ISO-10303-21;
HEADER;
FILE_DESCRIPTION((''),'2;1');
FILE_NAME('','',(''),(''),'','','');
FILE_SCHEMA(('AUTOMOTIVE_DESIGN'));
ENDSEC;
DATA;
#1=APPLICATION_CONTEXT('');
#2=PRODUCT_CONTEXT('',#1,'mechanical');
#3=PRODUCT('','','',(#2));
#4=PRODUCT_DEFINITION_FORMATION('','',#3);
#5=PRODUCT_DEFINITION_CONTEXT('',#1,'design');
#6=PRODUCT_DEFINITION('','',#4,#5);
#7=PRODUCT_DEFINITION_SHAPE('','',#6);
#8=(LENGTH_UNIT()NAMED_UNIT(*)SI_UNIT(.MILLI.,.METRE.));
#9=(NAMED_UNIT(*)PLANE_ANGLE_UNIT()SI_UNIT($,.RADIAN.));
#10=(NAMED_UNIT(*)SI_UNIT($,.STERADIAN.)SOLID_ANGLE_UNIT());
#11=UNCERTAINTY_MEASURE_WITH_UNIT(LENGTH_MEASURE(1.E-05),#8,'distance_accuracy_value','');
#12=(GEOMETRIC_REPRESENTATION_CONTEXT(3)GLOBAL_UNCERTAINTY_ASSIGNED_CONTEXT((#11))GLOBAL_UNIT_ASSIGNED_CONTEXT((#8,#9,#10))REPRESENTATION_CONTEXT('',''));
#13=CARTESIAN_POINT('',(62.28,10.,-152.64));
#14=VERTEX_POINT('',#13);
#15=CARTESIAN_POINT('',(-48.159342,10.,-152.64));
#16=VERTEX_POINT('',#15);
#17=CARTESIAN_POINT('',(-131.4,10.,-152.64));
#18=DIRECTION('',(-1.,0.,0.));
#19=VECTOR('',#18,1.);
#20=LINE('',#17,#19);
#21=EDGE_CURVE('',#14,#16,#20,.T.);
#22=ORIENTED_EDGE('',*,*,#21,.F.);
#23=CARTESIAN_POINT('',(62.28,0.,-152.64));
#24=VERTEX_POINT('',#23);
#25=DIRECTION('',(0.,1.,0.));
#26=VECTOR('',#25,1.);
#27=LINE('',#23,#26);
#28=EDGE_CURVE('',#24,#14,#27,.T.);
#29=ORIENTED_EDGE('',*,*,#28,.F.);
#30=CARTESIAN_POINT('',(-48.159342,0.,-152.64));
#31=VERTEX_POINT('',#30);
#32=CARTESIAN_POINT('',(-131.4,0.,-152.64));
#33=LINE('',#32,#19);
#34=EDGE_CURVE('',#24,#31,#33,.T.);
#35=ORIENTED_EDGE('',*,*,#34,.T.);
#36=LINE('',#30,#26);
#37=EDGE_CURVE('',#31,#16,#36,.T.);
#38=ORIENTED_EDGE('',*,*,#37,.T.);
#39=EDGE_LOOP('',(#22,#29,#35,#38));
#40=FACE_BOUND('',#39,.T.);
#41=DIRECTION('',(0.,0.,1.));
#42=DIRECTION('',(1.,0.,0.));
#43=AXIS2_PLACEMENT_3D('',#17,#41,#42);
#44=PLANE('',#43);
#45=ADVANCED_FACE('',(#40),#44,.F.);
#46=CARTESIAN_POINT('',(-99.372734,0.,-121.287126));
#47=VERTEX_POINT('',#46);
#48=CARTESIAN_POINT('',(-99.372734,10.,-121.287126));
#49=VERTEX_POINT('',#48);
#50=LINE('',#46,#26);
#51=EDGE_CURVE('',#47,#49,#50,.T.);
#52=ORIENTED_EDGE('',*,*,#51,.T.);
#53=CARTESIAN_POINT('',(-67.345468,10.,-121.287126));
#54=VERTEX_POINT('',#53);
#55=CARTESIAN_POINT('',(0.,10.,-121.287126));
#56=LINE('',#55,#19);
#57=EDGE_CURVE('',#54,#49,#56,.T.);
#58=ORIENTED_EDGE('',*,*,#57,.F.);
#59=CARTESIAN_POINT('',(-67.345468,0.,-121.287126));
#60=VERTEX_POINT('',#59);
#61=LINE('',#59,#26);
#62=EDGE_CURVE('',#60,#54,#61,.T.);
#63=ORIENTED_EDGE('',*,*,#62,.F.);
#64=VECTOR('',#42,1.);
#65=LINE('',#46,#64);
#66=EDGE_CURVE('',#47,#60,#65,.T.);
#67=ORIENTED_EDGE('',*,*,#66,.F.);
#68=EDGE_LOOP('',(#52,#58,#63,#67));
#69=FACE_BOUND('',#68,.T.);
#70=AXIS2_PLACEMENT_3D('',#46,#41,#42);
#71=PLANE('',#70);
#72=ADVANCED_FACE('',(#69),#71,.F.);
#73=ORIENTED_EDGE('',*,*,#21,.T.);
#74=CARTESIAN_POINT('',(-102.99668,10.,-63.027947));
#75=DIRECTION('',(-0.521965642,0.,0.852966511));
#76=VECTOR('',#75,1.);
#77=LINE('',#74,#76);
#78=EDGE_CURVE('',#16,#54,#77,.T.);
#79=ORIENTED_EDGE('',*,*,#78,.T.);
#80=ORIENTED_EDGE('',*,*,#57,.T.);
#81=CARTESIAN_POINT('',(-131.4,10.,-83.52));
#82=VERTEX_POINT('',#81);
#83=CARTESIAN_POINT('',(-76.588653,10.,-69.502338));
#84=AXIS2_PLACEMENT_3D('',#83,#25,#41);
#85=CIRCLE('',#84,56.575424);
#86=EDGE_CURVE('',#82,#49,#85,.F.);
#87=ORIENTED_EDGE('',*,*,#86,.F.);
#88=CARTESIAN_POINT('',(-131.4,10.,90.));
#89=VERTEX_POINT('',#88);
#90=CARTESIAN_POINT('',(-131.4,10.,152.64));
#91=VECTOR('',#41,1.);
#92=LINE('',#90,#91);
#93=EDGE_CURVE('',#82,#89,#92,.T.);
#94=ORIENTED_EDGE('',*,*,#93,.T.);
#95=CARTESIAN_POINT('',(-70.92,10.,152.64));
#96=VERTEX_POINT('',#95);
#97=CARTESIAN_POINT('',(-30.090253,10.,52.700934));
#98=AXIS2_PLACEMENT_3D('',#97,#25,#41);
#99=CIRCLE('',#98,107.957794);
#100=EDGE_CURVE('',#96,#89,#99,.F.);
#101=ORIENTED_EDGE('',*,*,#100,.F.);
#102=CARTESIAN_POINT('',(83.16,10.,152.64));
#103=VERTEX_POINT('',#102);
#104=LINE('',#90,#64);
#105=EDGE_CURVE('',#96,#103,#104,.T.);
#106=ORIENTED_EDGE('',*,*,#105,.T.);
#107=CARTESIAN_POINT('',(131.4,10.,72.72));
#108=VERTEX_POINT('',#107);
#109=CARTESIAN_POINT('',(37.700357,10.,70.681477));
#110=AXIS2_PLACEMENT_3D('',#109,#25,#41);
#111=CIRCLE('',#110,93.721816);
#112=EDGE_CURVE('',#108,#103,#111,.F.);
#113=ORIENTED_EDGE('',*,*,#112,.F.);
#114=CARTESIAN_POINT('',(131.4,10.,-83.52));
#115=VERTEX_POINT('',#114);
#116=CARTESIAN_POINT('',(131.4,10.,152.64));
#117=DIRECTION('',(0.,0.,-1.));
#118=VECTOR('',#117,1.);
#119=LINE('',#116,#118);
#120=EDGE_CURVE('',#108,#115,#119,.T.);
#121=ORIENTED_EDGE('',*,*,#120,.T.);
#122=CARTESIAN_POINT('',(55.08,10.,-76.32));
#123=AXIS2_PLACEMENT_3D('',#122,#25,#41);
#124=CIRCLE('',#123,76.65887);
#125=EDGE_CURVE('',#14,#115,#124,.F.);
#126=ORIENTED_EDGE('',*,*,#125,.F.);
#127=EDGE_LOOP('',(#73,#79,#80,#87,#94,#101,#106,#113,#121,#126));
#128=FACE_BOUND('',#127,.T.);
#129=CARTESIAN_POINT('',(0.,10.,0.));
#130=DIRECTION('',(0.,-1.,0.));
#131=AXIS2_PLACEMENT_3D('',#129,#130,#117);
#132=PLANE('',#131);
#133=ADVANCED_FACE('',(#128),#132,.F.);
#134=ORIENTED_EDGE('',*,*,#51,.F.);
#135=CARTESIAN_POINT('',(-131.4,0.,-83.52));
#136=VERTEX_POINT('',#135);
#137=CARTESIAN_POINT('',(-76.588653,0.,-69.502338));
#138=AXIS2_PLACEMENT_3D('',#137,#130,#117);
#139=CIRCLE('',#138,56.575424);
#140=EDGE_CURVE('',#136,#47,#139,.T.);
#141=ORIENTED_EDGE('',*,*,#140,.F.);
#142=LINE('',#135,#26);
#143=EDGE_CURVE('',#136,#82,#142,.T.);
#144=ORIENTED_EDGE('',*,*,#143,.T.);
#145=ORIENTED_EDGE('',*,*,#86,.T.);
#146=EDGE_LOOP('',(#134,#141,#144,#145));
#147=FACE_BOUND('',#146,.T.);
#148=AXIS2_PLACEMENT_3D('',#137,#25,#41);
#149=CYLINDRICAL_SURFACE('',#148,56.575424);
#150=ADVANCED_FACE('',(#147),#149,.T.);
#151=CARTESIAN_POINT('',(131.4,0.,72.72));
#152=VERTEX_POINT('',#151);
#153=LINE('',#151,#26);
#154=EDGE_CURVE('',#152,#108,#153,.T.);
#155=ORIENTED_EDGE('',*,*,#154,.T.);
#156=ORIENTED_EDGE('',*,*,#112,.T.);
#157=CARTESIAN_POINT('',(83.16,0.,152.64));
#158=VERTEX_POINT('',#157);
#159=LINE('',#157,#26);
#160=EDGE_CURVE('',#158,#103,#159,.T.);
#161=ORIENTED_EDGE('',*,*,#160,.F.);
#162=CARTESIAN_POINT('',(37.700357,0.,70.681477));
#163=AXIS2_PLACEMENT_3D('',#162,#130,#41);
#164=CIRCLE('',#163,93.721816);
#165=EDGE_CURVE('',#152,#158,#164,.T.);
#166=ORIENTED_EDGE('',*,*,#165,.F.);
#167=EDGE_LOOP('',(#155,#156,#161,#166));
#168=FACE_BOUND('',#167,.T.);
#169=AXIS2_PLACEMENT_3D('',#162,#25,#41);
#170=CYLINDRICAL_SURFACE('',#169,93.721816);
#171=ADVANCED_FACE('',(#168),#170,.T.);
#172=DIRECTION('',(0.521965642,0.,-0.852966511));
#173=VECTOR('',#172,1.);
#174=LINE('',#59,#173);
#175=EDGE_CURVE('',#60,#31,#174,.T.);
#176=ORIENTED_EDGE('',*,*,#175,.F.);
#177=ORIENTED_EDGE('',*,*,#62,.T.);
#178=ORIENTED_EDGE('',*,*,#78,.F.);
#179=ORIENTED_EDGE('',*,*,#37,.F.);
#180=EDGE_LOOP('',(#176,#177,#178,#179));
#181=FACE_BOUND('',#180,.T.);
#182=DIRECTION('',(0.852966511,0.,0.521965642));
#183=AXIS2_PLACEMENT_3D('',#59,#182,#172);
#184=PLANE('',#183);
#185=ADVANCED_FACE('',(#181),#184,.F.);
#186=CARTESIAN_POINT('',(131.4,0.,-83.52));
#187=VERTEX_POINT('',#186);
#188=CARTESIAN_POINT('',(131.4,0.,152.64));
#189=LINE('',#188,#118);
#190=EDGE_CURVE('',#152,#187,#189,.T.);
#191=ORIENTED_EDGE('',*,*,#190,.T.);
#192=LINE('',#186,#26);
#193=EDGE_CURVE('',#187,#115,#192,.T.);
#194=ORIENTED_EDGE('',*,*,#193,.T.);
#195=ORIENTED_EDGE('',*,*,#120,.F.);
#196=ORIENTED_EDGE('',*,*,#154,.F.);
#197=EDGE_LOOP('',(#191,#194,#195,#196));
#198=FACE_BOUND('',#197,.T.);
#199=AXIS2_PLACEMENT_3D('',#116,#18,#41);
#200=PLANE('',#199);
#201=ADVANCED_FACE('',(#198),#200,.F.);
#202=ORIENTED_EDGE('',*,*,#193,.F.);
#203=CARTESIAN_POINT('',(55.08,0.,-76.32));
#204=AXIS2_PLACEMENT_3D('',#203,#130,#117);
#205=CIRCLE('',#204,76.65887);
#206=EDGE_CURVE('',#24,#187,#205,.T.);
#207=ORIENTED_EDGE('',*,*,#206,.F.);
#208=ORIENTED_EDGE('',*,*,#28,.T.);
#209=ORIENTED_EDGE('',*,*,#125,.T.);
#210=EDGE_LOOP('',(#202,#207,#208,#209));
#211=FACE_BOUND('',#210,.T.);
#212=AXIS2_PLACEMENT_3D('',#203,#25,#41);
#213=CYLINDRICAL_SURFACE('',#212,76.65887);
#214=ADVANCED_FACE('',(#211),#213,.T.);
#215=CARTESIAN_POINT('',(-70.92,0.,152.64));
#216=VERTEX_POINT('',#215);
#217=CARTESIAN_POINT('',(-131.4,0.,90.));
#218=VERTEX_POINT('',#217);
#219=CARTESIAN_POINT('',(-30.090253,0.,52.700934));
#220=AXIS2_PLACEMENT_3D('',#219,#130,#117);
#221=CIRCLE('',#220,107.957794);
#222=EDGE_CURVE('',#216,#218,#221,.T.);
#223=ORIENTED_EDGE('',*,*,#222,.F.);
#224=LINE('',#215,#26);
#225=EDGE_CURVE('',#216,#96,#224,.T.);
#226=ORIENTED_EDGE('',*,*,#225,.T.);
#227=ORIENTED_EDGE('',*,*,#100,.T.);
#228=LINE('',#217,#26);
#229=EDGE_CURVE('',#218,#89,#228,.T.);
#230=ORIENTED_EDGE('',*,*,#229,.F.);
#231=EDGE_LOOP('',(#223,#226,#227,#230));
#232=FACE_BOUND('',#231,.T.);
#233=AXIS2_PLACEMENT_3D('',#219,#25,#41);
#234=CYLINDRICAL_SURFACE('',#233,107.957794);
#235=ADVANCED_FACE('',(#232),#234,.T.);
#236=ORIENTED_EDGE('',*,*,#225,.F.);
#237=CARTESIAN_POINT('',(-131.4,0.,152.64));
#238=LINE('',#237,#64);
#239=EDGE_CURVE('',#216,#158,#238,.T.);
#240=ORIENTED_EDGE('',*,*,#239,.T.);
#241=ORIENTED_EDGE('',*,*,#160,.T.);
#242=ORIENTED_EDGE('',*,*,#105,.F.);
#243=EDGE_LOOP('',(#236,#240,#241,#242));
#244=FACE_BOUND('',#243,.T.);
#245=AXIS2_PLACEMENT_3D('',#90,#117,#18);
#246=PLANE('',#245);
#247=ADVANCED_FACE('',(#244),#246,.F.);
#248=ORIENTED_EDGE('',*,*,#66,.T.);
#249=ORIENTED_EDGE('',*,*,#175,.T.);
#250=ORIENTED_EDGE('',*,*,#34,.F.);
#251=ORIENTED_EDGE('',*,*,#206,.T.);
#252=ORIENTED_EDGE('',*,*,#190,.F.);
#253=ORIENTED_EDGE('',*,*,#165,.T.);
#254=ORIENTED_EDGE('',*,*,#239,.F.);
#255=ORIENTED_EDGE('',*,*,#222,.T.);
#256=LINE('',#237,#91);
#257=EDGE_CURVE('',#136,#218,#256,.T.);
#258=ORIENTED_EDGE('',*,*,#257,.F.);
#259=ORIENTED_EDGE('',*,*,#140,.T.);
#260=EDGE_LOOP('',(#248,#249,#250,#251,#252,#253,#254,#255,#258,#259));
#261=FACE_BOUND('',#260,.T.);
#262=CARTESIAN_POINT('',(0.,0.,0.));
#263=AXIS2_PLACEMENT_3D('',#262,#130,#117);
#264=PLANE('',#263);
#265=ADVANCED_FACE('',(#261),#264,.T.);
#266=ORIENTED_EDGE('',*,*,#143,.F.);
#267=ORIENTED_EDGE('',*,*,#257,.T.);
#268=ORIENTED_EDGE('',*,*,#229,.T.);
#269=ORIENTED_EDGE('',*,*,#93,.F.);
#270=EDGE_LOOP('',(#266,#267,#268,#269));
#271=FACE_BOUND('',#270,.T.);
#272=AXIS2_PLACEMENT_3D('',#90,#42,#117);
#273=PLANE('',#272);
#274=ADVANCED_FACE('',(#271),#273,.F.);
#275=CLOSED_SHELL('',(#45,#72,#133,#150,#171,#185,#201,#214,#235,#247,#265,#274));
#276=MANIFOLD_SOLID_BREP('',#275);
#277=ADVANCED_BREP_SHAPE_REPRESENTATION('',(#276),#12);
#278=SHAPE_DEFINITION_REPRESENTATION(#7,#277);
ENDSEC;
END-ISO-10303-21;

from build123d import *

# Parameters (mm, degrees)
SKETCH3_W               = 262.8
SKETCH3_H               = 305.28
BOSS_EXTRUDE3_DEPTH     = 10
CUT_EXTRUDE1_DEPTH      = 202.655472527
CUT_EXTRUDE1_DEPTH_BACK = 202.655472527


with BuildPart() as part:
    # Sketch3 → Boss-Extrude3 (new body)
    with BuildSketch(Plane(origin=(0, 0, 0), x_dir=(1, 0, 0), z_dir=(0, 1, 0))):
        Rectangle(SKETCH3_W, SKETCH3_H)
    extrude(amount=BOSS_EXTRUDE3_DEPTH)

    # Sketch4 → Cut-Extrude1 (cut, two sides: drawn at the far end of the back side and taken through both)
    with BuildSketch(Plane(origin=(0, 10, 0), x_dir=(1, 0, 0), z_dir=(0, 1, 0)).offset(-CUT_EXTRUDE1_DEPTH_BACK)):
        with BuildLine():
            Line((-131.4, -90), (-131.4, -152.64))
            Line((-131.4, -152.64), (-70.92, -152.64))
            ThreePointArc((-70.92, -152.64), (-107.755247271, -127.687824951), (-131.4, -90))
        make_face()
        with BuildLine():
            Line((83.16, -152.64), (131.4, -152.64))
            Line((131.4, -152.64), (131.4, -72.72))
            ThreePointArc((131.4, -72.72), (117.938305095, -119.113391364), (83.16, -152.64))
        make_face()
        with BuildLine():
            Line((-99.372734155, 121.287125755), (-67.345468311, 121.287125755))
            Line((-67.345468311, 121.287125755), (-48.15934209, 152.64))
            Line((-48.15934209, 152.64), (-131.4, 152.64))
            Line((-131.4, 152.64), (-131.4, 83.52))
            ThreePointArc((-131.4, 83.52), (-119.737831056, 106.093689962), (-99.372734155, 121.287125755))
        make_face()
        with BuildLine():
            Line((131.4, 83.52), (131.4, 152.64))
            Line((131.4, 152.64), (62.28, 152.64))
            ThreePointArc((62.28, 152.64), (109.286007047, 130.526007047), (131.4, 83.52))
        make_face()
    extrude(amount=CUT_EXTRUDE1_DEPTH + CUT_EXTRUDE1_DEPTH_BACK, mode=Mode.SUBTRACT)


solid = part.part
